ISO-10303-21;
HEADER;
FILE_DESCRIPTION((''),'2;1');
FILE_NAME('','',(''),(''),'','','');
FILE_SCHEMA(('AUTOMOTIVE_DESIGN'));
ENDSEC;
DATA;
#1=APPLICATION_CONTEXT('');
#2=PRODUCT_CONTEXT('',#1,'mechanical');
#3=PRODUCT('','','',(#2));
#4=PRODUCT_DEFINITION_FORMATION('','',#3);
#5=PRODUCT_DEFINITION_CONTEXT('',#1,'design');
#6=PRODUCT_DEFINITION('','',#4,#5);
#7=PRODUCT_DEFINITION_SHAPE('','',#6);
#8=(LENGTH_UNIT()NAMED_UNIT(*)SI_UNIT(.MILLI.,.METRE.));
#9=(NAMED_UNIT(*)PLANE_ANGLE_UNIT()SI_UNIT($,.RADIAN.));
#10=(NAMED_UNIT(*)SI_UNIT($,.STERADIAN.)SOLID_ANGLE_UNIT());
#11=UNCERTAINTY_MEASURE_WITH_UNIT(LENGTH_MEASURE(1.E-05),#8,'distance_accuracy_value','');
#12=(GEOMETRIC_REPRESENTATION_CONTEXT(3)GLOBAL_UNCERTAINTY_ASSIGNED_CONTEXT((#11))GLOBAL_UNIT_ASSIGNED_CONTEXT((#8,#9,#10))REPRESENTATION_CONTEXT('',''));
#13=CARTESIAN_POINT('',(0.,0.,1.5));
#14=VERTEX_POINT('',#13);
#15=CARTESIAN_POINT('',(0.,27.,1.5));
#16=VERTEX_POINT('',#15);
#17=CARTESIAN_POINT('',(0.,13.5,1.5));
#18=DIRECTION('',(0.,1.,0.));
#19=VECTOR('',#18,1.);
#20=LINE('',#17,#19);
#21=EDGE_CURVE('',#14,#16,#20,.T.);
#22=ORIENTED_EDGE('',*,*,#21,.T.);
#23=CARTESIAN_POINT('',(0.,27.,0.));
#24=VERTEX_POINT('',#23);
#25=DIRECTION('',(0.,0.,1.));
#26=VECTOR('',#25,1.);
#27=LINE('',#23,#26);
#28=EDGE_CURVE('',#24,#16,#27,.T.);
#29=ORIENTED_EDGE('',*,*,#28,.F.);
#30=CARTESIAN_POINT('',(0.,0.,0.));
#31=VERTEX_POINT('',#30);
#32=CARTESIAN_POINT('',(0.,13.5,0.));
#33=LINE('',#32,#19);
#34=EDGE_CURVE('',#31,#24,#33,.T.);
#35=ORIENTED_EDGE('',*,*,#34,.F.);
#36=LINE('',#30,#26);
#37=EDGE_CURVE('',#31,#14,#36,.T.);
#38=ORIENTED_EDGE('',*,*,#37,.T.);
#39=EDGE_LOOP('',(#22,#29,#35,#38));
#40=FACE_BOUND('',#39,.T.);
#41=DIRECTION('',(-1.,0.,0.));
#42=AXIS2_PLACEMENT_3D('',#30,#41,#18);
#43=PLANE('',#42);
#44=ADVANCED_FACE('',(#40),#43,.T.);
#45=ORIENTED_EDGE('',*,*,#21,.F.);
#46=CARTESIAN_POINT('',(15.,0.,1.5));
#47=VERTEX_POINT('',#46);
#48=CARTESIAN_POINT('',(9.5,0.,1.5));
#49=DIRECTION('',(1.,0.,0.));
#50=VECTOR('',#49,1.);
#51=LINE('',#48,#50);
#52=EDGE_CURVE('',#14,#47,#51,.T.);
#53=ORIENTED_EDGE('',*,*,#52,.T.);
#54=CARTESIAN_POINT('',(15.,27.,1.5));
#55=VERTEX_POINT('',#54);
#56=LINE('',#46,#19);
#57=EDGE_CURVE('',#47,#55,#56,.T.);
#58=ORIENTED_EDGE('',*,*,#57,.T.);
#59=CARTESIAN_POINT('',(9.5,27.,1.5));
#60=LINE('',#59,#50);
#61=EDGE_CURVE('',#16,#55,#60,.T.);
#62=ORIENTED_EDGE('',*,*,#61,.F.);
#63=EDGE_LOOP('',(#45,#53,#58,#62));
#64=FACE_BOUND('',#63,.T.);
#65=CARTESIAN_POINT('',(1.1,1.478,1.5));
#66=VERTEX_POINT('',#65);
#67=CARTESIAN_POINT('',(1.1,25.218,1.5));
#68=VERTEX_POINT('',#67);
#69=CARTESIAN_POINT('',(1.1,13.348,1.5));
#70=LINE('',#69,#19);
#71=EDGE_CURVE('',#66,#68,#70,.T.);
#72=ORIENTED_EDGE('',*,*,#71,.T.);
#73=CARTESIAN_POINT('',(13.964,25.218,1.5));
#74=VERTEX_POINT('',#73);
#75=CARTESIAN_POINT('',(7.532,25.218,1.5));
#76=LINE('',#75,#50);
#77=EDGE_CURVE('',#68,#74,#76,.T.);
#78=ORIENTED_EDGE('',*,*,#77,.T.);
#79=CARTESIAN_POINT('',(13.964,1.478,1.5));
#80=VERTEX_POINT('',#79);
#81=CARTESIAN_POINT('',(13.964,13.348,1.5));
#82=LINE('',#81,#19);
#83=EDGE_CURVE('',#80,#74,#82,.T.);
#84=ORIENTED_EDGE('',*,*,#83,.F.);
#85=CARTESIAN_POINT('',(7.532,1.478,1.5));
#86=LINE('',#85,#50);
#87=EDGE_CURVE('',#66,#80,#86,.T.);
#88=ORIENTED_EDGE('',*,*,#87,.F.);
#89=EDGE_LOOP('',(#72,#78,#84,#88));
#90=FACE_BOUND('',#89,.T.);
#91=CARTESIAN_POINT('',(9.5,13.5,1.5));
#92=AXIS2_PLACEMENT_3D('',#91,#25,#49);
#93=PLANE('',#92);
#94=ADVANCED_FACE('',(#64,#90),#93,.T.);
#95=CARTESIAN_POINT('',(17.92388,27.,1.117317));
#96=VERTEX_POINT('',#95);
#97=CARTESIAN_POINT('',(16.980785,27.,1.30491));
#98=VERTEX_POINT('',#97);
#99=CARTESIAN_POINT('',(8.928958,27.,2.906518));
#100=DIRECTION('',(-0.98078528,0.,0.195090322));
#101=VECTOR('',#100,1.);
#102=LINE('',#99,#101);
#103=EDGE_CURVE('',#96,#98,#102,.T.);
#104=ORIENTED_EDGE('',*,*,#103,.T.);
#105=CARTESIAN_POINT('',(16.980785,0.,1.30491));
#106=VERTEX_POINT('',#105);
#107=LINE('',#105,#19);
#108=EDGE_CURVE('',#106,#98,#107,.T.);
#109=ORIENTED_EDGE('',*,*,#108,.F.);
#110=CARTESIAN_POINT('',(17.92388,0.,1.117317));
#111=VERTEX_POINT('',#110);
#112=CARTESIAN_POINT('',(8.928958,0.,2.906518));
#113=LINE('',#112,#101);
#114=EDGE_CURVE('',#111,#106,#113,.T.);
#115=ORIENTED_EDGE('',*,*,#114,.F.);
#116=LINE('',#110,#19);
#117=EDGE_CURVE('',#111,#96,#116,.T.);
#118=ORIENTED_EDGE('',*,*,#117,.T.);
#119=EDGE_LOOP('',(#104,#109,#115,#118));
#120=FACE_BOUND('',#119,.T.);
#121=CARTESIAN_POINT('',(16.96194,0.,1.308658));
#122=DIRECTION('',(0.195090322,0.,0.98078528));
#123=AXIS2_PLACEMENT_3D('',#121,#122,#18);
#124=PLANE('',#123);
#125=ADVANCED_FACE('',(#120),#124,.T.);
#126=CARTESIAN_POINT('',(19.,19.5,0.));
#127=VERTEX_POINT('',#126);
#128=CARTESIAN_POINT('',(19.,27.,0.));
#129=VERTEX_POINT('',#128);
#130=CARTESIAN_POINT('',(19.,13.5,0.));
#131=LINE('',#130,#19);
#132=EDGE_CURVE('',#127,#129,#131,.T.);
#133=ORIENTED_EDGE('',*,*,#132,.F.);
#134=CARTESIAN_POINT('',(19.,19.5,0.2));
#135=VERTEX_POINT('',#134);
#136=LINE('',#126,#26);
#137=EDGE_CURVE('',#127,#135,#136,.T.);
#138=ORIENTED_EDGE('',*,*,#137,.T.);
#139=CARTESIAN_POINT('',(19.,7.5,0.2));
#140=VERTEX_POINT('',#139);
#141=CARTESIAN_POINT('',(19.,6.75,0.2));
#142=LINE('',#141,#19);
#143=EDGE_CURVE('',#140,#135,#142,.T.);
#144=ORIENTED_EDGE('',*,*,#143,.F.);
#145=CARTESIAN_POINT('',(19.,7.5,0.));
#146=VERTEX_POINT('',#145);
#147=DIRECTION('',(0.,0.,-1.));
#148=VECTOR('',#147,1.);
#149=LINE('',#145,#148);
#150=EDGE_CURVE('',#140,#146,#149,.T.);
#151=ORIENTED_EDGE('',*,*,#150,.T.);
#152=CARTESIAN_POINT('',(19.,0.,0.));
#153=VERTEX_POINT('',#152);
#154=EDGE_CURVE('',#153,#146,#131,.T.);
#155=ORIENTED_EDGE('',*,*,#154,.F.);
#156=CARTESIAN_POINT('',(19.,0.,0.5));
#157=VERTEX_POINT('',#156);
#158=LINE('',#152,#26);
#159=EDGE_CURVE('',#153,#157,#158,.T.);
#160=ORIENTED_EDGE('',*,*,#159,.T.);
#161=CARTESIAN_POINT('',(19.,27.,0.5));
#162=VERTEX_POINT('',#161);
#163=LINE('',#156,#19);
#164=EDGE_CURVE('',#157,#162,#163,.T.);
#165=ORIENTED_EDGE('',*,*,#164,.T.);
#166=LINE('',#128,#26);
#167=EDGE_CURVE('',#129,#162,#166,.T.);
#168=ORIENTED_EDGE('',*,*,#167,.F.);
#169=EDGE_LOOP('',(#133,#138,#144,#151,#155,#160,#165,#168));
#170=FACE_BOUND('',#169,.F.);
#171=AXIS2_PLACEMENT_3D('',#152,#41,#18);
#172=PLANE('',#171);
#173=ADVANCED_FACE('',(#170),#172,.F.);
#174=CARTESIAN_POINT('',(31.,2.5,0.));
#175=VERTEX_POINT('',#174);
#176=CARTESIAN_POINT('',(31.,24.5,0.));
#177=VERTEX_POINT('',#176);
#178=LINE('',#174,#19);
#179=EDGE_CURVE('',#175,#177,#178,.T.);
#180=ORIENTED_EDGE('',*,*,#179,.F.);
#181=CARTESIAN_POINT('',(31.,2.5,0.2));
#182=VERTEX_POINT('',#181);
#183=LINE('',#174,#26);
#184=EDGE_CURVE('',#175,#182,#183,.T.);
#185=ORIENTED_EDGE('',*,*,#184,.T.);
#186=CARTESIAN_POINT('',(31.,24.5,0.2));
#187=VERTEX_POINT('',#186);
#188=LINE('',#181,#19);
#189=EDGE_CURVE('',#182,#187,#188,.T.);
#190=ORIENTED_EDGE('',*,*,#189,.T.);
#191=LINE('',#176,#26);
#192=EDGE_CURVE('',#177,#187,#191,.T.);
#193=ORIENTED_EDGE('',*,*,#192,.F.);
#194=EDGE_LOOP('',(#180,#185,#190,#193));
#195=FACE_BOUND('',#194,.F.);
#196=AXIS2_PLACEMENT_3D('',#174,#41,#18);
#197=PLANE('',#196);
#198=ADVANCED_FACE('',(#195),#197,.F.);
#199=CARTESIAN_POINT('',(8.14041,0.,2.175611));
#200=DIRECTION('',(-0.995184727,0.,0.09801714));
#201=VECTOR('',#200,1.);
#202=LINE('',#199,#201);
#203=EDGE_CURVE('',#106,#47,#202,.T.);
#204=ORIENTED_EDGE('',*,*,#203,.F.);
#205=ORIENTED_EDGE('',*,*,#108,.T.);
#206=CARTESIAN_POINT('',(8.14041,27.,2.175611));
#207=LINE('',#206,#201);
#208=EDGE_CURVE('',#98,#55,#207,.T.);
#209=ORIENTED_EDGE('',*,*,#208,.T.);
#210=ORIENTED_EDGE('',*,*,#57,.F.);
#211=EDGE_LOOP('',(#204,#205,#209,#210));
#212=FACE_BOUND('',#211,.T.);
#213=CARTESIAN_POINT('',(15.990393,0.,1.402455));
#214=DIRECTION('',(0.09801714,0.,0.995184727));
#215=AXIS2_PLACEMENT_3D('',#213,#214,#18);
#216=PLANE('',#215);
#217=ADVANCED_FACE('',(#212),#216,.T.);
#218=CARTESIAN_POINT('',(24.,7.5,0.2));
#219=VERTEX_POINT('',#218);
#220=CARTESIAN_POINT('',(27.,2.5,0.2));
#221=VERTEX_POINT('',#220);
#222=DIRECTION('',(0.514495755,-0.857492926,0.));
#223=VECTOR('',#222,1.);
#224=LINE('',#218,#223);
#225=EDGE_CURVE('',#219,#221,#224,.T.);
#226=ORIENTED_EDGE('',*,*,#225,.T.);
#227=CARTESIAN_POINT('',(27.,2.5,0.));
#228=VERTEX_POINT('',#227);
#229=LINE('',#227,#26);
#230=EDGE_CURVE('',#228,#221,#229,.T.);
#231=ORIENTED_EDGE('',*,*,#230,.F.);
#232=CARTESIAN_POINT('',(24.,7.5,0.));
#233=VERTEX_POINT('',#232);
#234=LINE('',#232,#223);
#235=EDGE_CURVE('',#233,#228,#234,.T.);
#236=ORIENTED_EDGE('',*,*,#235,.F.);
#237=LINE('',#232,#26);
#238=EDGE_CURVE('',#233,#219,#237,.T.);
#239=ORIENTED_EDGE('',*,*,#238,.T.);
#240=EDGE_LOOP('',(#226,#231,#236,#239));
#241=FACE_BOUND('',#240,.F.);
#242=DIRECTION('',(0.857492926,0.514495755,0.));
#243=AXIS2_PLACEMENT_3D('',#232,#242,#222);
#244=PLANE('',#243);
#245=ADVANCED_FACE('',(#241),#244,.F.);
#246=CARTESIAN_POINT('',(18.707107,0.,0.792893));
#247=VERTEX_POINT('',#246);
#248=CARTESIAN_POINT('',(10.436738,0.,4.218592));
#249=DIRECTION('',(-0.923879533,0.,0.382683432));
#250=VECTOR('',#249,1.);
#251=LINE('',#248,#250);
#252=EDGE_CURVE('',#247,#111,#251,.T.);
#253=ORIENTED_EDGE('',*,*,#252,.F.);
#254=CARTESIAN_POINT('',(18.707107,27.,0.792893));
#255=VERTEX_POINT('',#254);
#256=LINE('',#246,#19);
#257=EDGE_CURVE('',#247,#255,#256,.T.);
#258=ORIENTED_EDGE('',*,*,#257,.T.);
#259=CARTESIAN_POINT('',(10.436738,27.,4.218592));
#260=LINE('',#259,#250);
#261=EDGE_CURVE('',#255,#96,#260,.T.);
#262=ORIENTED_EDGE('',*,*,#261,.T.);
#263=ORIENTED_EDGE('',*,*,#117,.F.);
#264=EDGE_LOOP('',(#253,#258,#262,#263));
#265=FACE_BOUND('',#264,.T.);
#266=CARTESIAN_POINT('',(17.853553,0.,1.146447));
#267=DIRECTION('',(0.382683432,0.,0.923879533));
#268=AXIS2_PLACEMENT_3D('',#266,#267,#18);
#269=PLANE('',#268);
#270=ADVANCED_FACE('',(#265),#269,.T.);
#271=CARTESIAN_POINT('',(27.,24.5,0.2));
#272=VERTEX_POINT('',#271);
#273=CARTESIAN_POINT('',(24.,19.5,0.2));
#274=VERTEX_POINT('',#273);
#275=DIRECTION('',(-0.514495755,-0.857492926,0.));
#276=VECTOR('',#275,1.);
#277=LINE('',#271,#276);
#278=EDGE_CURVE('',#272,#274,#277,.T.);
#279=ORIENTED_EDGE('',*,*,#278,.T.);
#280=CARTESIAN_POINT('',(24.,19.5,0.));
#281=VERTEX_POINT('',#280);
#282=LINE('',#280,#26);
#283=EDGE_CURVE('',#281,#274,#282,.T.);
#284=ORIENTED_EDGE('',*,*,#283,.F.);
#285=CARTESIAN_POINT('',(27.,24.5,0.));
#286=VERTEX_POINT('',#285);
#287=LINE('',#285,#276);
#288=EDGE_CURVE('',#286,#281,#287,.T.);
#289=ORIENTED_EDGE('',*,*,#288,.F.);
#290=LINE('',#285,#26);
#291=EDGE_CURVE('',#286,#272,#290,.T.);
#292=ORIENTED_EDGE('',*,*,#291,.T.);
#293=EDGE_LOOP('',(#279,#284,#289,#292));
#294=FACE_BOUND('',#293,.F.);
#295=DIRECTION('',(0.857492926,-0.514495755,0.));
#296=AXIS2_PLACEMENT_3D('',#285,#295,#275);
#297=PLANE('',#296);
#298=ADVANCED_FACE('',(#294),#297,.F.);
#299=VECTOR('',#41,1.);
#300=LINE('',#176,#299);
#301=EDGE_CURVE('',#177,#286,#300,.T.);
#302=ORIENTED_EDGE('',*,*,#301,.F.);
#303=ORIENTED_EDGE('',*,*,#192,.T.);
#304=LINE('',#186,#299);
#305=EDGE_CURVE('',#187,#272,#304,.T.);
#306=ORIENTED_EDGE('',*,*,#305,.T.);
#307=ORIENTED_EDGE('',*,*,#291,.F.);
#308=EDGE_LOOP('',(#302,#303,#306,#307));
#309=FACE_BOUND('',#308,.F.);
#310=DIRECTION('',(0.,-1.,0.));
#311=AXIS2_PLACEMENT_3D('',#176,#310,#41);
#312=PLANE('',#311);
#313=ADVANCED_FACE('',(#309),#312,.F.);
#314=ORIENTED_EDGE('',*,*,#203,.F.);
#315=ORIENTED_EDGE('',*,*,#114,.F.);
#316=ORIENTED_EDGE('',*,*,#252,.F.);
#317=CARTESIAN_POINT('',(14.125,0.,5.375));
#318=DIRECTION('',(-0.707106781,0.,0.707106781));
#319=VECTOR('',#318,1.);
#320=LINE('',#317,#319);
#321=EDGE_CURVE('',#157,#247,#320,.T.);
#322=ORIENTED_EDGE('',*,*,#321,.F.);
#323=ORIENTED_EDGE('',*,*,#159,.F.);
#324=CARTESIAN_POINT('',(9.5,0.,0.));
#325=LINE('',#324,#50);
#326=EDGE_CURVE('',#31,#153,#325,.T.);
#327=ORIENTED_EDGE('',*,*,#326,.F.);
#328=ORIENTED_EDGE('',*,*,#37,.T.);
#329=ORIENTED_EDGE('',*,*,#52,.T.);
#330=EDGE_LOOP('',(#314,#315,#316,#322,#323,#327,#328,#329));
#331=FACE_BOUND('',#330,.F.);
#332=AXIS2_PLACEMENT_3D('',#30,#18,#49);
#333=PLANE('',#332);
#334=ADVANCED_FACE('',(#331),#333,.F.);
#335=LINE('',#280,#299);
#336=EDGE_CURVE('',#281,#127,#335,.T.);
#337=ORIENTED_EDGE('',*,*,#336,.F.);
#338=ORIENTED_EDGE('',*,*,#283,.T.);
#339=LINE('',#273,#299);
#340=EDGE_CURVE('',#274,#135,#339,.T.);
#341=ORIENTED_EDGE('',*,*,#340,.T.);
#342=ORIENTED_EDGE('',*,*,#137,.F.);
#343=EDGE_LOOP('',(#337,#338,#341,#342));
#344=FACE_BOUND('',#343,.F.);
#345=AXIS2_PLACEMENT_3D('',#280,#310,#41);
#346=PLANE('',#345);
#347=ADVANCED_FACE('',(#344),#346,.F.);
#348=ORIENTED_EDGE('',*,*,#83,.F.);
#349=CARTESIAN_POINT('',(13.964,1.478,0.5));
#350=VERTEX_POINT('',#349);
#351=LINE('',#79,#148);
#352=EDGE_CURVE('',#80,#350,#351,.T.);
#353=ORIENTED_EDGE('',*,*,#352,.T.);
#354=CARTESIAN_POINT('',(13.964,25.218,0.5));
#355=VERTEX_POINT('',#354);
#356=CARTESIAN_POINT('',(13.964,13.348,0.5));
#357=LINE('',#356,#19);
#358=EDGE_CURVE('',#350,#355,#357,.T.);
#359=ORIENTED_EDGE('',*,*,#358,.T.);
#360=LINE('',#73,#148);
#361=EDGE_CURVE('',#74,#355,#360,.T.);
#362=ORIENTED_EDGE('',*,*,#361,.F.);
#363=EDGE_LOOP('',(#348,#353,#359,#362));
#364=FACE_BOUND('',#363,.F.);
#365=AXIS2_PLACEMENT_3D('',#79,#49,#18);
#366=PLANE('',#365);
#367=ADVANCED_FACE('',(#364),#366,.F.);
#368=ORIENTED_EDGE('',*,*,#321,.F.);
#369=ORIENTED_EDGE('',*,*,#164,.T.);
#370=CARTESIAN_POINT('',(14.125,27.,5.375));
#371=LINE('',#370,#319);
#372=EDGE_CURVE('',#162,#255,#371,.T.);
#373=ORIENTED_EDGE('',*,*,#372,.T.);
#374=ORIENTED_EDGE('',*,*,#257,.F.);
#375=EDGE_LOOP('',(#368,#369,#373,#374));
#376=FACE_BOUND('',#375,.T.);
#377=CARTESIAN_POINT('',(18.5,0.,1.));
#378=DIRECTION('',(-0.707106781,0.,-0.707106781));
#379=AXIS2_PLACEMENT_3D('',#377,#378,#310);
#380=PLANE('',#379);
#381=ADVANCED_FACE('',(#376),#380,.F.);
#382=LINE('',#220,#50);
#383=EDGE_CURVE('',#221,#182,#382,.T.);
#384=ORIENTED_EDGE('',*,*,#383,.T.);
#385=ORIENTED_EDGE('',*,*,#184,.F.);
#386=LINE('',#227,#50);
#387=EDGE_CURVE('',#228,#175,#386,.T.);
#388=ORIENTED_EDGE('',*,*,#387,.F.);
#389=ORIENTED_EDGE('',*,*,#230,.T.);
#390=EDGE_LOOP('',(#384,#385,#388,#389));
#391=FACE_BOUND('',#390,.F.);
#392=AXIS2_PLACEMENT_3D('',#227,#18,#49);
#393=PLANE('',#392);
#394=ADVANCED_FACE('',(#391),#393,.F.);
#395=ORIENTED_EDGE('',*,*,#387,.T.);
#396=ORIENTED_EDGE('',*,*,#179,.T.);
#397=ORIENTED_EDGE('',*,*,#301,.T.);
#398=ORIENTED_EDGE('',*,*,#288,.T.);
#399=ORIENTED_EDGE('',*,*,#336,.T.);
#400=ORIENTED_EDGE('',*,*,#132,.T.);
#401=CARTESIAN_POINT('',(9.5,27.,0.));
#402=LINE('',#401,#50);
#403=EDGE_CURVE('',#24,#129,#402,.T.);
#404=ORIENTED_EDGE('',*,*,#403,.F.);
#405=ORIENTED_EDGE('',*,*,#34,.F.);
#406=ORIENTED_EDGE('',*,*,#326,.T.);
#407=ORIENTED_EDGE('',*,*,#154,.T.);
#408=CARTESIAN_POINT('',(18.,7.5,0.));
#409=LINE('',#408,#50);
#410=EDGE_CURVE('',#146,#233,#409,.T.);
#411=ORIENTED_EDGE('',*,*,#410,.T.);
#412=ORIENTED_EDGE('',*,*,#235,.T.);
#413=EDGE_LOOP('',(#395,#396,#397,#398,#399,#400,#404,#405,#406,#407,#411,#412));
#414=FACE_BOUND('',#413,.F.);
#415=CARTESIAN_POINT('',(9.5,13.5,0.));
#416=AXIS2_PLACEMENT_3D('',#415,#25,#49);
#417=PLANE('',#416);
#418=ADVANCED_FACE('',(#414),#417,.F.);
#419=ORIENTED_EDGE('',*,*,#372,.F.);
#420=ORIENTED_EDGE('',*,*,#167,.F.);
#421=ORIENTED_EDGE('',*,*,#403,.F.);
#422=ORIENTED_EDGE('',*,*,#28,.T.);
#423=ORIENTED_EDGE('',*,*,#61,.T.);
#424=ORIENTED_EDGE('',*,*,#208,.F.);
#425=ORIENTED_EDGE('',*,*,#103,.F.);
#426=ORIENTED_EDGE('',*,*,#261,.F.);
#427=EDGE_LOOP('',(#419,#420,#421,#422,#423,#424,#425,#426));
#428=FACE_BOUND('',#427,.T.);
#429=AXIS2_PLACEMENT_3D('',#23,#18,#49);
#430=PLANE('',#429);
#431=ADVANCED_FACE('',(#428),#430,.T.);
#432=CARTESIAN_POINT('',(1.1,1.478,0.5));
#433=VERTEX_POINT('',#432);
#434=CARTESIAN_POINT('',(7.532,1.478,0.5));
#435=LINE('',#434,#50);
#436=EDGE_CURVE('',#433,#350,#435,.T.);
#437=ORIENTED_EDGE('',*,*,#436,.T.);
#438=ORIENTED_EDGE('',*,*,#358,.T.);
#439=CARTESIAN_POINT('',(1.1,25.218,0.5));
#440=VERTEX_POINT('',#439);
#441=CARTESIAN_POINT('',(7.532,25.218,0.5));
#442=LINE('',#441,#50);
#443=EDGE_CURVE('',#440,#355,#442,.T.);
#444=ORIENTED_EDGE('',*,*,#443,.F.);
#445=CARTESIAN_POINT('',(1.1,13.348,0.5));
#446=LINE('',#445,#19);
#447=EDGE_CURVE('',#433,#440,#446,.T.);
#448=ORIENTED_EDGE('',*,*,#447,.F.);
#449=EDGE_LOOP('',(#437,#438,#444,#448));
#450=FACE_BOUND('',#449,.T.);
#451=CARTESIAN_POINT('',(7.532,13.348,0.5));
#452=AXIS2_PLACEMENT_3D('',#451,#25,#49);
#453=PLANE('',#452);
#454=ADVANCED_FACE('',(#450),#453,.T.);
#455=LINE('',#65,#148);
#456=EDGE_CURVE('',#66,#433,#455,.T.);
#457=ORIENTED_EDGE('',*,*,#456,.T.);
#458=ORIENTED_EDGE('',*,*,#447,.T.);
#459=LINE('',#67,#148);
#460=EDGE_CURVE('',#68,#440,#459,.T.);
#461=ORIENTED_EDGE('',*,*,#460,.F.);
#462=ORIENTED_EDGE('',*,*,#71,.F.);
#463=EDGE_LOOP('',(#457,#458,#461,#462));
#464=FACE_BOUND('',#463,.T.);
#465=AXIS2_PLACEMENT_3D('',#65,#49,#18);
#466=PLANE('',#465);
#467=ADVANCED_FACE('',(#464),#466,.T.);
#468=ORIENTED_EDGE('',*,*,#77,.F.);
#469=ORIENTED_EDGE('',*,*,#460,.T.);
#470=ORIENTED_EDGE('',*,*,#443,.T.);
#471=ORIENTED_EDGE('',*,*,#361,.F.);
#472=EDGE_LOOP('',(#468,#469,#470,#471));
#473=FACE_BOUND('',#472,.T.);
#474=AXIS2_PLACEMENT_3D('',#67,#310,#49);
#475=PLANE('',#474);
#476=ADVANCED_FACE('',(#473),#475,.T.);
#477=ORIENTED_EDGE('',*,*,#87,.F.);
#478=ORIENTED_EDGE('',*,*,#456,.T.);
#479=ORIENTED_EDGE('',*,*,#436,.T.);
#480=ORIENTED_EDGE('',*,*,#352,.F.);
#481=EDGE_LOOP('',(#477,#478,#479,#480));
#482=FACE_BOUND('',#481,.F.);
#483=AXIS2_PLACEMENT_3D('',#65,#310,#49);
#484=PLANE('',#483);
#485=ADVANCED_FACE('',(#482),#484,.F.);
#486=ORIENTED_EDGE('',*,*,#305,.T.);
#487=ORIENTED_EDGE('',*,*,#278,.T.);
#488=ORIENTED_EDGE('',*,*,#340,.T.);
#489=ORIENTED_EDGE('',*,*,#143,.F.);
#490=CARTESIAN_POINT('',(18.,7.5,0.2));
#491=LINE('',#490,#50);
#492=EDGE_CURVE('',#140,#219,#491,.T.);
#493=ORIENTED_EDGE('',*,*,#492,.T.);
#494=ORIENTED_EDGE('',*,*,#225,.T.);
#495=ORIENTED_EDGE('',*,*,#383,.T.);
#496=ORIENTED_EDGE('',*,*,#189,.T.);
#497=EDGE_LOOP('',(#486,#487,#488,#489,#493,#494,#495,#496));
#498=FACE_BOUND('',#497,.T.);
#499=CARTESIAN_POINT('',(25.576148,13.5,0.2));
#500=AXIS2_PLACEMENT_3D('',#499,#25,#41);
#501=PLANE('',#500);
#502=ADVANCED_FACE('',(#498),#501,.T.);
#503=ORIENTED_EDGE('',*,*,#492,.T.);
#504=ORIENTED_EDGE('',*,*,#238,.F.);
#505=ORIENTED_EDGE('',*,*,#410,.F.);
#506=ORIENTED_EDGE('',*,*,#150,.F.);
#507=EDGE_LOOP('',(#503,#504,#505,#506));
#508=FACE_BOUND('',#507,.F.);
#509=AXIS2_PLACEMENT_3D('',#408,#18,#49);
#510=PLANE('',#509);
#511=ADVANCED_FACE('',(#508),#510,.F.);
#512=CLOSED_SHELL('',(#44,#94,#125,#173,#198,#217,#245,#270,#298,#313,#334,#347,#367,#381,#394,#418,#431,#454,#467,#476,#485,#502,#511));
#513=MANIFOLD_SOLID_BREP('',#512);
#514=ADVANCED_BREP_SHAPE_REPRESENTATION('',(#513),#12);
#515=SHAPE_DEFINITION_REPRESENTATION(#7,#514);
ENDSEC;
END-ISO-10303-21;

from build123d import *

# Parameters (mm, degrees)
SKETCH_W        = 19
SKETCH_H        = 27
PAD_DEPTH       = 1.5
PAD001_DEPTH    = 0.2
SKETCH003_W     = 12.864
SKETCH003_H     = 23.74
POCKET_DEPTH    = 1
CHAMFER_SIZE    = 1
CHAMFER001_SIZE = 1
CHAMFER002_SIZE = 1
CHAMFER003_SIZE = 1


with BuildPart() as part:
    # Sketch → Pad (new body)
    with BuildSketch(Plane.XY):
        with Locations((9.5, 13.5)):
            Rectangle(SKETCH_W, SKETCH_H)
    extrude(amount=PAD_DEPTH)

    # Sketch001 (on Face5 of Pad) → Pad001 (join)
    with BuildSketch(Plane(origin=(0, 0, 0), x_dir=(1, 0, 0), z_dir=(0, 0, -1))):
        Polygon((18, -7.5), (24, -7.5), (27, -2.5), (31, -2.5), (31, -24.5), (27, -24.5), (24, -19.5), (18, -19.5), align=None)
    extrude(amount=-PAD001_DEPTH)

    # Sketch003 (on Face5 of Pad001) → Pocket (cut)
    with BuildSketch(Plane.XY.offset(1.5)):
        with Locations((7.532, 13.348)):
            Rectangle(SKETCH003_W, SKETCH003_H)
    extrude(amount=-POCKET_DEPTH, mode=Mode.SUBTRACT)

    # Chamfer
    chamfer_edges = [part.edges().sort_by_distance(p)[0] for p in [
        (19, 13.5, 1.5),
    ]]
    chamfer(chamfer_edges, length=CHAMFER_SIZE)

    # Chamfer001
    chamfer001_edges = [part.edges().sort_by_distance(p)[0] for p in [
        (18, 13.5, 1.5),
    ]]
    chamfer(chamfer001_edges, length=CHAMFER001_SIZE)

    # Chamfer002
    chamfer002_edges = [part.edges().sort_by_distance(p)[0] for p in [
        (17, 13.5, 1.5),
    ]]
    chamfer(chamfer002_edges, length=CHAMFER002_SIZE)

    # Chamfer003
    chamfer003_edges = [part.edges().sort_by_distance(p)[0] for p in [
        (16, 13.5, 1.5),
    ]]
    chamfer(chamfer003_edges, length=CHAMFER003_SIZE)


solid = part.part
